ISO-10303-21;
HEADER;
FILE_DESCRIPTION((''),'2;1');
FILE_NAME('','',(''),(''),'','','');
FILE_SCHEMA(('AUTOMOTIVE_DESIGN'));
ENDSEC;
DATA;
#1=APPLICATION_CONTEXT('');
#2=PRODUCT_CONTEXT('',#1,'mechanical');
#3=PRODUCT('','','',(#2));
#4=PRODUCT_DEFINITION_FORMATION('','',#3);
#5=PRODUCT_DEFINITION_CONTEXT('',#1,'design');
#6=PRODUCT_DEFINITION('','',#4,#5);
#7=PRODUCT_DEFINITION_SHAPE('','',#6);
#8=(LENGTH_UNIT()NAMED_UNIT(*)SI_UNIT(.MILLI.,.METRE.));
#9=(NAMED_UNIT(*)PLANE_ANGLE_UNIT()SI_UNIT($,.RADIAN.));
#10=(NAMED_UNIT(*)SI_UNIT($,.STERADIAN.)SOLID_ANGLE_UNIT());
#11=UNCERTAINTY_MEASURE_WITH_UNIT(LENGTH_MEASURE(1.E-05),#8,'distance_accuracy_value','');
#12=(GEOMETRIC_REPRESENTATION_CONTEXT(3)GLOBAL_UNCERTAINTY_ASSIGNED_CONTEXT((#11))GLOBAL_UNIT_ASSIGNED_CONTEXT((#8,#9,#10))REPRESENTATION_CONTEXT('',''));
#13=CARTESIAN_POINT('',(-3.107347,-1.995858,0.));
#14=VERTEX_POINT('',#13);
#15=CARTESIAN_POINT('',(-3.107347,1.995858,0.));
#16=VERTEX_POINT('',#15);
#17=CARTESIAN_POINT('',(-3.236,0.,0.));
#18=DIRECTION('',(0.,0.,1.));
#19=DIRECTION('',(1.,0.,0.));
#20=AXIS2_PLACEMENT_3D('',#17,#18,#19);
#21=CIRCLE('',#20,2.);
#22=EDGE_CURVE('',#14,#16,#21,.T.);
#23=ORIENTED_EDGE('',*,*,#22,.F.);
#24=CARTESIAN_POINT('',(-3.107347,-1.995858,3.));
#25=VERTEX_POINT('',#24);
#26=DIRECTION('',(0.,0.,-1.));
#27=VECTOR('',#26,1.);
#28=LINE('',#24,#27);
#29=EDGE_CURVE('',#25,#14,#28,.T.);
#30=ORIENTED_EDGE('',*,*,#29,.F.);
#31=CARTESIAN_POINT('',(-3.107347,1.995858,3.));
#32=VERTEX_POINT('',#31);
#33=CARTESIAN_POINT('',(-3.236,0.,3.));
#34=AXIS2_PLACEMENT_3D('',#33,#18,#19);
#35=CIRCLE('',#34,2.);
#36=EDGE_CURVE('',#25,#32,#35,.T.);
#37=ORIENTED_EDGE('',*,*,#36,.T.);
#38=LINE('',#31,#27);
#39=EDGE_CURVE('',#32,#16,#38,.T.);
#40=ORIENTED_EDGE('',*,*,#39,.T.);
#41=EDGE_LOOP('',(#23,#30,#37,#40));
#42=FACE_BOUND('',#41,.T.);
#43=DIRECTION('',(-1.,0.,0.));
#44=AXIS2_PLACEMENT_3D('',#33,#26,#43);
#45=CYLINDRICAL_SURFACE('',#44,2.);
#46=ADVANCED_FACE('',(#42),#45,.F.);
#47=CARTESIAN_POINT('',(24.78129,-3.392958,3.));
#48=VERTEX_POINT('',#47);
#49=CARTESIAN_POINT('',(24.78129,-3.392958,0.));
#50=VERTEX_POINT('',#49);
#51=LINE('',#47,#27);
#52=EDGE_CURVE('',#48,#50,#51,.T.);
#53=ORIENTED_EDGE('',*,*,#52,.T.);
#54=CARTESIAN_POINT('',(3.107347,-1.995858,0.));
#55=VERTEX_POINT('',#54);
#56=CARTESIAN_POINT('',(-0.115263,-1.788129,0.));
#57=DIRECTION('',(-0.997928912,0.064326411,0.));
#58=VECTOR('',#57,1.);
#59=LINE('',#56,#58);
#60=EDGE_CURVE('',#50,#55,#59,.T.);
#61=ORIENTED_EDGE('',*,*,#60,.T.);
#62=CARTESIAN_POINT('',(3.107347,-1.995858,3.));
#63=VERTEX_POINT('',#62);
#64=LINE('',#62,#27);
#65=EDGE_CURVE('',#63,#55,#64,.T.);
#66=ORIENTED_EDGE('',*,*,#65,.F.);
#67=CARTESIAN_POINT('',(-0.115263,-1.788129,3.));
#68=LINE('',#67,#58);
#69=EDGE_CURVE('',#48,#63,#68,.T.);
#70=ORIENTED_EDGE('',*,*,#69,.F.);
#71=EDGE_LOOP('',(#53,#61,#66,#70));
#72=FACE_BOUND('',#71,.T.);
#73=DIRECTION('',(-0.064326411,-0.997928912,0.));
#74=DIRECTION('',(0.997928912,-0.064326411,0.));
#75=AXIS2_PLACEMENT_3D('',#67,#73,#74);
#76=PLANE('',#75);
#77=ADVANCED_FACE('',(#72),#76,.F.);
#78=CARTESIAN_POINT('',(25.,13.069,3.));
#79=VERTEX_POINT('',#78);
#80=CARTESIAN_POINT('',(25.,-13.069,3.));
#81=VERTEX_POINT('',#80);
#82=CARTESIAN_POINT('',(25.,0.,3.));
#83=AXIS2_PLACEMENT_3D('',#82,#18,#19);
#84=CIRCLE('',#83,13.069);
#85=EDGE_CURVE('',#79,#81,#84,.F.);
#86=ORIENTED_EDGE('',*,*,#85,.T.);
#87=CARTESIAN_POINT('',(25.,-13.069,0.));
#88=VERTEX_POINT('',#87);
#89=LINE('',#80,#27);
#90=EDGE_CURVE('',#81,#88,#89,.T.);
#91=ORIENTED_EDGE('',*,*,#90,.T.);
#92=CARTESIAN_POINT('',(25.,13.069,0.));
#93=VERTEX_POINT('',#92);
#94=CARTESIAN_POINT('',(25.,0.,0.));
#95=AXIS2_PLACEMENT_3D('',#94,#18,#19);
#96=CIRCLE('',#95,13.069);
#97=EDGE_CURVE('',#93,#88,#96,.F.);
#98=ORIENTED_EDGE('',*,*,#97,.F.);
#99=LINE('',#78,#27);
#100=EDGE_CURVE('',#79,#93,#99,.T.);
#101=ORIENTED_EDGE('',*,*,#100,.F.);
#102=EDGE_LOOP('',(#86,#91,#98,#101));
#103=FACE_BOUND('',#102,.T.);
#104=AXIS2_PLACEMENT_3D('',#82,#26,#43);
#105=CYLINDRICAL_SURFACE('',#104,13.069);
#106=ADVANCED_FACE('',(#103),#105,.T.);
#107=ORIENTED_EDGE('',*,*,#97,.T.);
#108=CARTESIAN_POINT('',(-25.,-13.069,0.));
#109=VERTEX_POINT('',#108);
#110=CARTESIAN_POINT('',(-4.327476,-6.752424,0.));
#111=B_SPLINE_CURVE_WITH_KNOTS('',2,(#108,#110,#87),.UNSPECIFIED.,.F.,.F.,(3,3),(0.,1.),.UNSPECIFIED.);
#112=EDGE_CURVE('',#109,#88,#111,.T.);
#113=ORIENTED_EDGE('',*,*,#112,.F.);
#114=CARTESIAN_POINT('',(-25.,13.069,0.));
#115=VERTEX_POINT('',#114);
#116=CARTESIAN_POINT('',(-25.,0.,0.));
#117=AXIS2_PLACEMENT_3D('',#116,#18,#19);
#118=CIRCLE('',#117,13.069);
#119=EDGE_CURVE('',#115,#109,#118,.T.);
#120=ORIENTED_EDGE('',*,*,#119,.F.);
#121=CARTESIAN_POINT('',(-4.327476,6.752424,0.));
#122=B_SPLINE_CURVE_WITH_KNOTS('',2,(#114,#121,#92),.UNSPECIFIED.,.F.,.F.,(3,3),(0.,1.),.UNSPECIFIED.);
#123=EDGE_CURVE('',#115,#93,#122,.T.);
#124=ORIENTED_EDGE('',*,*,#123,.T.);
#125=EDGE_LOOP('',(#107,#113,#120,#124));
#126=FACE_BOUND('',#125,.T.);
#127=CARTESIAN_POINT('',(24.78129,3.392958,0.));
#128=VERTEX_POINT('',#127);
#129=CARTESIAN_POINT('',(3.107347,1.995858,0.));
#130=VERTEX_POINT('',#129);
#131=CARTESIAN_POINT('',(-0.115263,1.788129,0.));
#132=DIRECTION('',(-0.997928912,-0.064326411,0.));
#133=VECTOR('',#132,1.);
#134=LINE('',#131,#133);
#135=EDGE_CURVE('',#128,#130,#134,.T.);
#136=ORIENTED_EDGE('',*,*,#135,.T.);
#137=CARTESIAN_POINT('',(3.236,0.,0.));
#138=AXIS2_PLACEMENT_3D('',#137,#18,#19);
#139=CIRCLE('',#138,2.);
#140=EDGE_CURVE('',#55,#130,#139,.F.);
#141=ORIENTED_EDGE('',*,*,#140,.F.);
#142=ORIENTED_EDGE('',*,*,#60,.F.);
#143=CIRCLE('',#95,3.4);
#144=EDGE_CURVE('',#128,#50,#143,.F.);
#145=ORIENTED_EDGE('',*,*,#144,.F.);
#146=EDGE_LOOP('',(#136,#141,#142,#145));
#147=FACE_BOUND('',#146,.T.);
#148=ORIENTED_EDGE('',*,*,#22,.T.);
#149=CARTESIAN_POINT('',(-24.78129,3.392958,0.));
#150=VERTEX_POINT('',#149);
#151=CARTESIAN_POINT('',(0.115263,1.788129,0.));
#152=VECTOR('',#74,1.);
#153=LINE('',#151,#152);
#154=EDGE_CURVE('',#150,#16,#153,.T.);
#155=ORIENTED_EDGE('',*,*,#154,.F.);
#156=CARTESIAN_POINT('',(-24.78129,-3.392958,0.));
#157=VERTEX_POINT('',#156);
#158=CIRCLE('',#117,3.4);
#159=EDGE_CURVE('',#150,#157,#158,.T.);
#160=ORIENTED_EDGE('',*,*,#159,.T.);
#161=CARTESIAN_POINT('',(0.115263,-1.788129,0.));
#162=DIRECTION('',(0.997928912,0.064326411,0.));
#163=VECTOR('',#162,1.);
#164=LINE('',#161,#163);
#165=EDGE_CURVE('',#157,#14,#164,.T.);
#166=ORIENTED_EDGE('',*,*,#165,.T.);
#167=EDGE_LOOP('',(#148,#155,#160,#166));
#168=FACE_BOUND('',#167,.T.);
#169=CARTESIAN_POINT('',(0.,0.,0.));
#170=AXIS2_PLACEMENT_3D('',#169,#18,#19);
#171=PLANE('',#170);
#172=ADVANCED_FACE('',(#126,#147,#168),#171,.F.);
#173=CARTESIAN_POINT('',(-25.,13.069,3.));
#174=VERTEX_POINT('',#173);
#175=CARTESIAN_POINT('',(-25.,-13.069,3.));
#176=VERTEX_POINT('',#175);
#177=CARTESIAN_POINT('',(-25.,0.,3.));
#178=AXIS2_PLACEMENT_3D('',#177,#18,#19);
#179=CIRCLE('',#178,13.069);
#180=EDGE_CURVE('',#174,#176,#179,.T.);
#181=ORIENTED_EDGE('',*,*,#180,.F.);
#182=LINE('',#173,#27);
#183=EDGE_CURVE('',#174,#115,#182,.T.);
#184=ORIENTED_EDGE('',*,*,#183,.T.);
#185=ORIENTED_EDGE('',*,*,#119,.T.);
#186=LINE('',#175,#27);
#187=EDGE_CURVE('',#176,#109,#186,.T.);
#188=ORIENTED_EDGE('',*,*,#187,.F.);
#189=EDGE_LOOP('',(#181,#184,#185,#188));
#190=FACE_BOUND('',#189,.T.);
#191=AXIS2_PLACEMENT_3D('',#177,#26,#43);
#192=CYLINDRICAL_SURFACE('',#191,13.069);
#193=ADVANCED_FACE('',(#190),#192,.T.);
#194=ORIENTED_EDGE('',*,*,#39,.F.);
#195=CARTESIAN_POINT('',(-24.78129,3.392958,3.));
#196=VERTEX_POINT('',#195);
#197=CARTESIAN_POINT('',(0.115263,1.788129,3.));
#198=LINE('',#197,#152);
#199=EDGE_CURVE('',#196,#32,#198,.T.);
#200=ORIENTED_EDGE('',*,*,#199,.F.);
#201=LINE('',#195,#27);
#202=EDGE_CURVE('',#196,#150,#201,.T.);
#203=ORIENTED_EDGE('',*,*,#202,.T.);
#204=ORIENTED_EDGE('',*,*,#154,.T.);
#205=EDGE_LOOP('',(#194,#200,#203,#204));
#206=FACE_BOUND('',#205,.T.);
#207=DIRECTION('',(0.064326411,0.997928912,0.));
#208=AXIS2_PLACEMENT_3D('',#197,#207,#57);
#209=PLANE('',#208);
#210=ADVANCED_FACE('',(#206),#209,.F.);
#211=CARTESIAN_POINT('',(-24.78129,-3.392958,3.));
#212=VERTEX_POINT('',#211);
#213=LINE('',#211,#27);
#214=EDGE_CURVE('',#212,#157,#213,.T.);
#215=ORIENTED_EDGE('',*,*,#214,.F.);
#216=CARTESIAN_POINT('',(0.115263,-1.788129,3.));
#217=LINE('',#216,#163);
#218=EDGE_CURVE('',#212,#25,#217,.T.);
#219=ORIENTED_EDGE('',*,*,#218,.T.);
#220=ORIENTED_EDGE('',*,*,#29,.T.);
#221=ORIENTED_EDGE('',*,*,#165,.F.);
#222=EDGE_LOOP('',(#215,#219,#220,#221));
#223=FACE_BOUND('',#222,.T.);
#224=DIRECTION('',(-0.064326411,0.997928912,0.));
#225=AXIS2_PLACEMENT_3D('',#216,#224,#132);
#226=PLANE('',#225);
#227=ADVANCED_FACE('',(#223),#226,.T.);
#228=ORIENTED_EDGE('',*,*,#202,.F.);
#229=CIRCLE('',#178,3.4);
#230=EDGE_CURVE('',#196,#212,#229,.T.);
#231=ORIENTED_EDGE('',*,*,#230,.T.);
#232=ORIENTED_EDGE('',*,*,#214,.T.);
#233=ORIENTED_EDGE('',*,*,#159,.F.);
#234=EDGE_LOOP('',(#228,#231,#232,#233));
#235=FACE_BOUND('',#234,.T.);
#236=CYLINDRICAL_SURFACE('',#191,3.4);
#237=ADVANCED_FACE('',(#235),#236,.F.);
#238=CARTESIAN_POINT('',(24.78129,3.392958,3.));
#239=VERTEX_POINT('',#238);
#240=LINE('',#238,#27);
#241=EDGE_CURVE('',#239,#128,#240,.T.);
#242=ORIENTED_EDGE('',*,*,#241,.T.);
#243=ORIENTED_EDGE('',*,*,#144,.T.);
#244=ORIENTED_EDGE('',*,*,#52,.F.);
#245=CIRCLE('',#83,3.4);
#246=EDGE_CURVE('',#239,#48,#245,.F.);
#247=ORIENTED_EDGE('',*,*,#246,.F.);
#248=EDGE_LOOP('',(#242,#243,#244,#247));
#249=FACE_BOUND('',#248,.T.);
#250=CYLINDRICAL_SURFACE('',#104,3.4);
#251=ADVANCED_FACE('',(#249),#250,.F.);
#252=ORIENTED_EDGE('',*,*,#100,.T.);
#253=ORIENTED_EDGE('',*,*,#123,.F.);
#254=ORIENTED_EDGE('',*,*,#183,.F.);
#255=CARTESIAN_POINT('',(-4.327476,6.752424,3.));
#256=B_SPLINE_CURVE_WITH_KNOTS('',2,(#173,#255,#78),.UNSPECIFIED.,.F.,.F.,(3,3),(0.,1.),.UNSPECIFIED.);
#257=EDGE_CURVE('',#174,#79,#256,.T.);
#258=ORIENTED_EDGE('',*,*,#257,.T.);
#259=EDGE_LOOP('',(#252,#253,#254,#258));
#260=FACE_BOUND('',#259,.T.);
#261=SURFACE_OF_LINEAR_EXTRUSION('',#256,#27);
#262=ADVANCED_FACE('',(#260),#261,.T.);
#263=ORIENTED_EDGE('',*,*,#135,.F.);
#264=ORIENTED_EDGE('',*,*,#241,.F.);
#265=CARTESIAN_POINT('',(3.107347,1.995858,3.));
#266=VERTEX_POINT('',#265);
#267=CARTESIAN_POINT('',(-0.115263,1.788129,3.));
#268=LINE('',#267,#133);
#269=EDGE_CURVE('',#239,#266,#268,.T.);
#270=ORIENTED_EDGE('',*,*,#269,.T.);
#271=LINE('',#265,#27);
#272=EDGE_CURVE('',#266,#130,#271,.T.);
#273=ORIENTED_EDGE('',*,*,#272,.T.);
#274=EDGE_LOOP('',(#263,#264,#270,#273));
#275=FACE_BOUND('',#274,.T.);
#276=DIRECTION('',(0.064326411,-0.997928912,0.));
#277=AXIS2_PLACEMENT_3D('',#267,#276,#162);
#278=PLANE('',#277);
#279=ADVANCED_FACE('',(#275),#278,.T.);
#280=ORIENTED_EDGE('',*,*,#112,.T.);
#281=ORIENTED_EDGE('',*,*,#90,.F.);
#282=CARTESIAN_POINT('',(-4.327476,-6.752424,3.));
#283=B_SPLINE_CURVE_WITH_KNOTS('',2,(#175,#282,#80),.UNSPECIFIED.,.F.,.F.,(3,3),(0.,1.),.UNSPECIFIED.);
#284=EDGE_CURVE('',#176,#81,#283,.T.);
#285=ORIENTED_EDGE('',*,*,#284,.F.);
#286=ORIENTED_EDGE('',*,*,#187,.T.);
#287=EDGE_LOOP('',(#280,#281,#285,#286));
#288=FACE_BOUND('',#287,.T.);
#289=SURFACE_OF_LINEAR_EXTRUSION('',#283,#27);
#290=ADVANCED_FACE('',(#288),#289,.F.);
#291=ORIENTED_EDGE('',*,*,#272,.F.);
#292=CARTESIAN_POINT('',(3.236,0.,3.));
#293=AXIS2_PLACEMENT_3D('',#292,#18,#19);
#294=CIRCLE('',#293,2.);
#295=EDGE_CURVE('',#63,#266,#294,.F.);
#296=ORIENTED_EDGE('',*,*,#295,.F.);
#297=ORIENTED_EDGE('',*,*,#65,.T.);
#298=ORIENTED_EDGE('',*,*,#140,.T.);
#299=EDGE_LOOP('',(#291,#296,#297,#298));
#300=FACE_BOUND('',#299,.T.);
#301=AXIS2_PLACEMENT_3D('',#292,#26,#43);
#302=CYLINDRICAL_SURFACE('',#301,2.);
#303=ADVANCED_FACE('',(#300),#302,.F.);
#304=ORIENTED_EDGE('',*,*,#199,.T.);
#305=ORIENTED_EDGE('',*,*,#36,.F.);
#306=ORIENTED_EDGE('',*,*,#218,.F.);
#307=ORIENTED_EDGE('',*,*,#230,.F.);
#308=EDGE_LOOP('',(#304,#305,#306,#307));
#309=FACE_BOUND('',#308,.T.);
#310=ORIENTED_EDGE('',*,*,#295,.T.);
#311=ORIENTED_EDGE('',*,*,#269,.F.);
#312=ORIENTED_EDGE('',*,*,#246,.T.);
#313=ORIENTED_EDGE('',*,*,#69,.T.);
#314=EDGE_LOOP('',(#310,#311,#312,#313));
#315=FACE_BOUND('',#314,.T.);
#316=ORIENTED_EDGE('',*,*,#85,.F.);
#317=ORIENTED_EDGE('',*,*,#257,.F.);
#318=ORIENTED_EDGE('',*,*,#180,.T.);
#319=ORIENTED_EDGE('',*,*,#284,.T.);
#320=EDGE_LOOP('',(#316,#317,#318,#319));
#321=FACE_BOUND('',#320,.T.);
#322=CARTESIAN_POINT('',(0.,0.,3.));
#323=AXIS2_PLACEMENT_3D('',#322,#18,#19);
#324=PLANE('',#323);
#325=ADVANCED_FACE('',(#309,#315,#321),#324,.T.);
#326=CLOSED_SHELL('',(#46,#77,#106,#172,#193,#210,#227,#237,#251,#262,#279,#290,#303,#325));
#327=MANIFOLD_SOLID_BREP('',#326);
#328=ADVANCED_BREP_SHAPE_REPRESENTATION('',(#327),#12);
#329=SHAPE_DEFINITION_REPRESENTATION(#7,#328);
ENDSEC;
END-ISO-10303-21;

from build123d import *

# Parameters (mm, degrees)
BOSS_EXTRUDE2_DEPTH = 3


with BuildPart() as part:
    # Sketch1 → Boss-Extrude2 (new body)
    with BuildSketch(Plane.XY):
        with BuildLine():
            ThreePointArc((-24.781290204, -3.3929583), (-28.4, 0), (-24.781290204, 3.3929583))
            Line((-24.781290204, 3.3929583), (-12.188441083, 2.581224344))
            ThreePointArc((-12.188441083, 2.581224344), (-14.492522891, 7.771208774), (-18.780288742, 11.494083385))
            add(Edge.make_bspline(
                [(-25, 13.069), (-21.982355601, 12.146946089), (-18.780288742, 11.494083385)],
                knots=[0, 0, 0, 0.145973682, 0.145973682, 0.145973682], degree=2))
            ThreePointArc((-25, 13.069), (-38.069, 0), (-25, -13.069))
            add(Edge.make_bspline(
                [(-25, -13.069), (-21.982355601, -12.146946089), (-18.780288742, -11.494083385)],
                knots=[0, 0, 0, 0.145973682, 0.145973682, 0.145973682], degree=2))
            ThreePointArc((-18.780288742, -11.494083385), (-14.492522891, -7.771208774), (-12.188441083, -2.581224344))
            Line((-12.188441083, -2.581224344), (-24.781290204, -3.3929583))
        make_face()
        with BuildLine():
            ThreePointArc((-18.780288742, 11.494083385), (-14.492522891, 7.771208774), (-12.188441083, 2.581224344))
            Line((-12.188441083, 2.581224344), (-3.107347179, 1.995857823))
            ThreePointArc((-3.107347179, 1.995857823), (-1.236, 0), (-3.107347179, -1.995857823))
            Line((-3.107347179, -1.995857823), (-12.188441083, -2.581224344))
            ThreePointArc((-12.188441083, -2.581224344), (-14.492522891, -7.771208774), (-18.780288742, -11.494083385))
            add(Edge.make_bspline(
                [(-18.780288742, -11.494083385), (-1.944343038, -8.061437688), (19.989933944, -12.070542619)],
                knots=[0.145973682, 0.145973682, 0.145973682, 0.91347951, 0.91347951, 0.91347951], degree=2))
            ThreePointArc((19.989933944, -12.070542619), (14.904735293, -8.299662132), (12.188441083, -2.581224344))
            Line((12.188441083, -2.581224344), (3.107347179, -1.995857823))
            ThreePointArc((3.107347179, -1.995857823), (1.236, 0), (3.107347179, 1.995857823))
            Line((3.107347179, 1.995857823), (12.188441083, 2.581224344))
            ThreePointArc((12.188441083, 2.581224344), (14.904735293, 8.299662132), (19.989933944, 12.070542619))
            add(Edge.make_bspline(
                [(-18.780288742, 11.494083385), (-1.944343038, 8.061437688), (19.989933944, 12.070542619)],
                knots=[0.145973682, 0.145973682, 0.145973682, 0.91347951, 0.91347951, 0.91347951], degree=2))
        make_face()
        with BuildLine():
            add(Edge.make_bspline(
                [(19.989933944, 12.070542619), (22.462572371, 12.522486712), (25, 13.069)],
                knots=[0.91347951, 0.91347951, 0.91347951, 1, 1, 1], degree=2))
            ThreePointArc((19.989933944, 12.070542619), (14.904735293, 8.299662132), (12.188441083, 2.581224344))
            Line((12.188441083, 2.581224344), (24.781290204, 3.3929583))
            ThreePointArc((24.781290204, 3.3929583), (28.4, 0), (24.781290204, -3.3929583))
            Line((24.781290204, -3.3929583), (12.188441083, -2.581224344))
            ThreePointArc((12.188441083, -2.581224344), (14.904735293, -8.299662132), (19.989933944, -12.070542619))
            add(Edge.make_bspline(
                [(19.989933944, -12.070542619), (22.462572371, -12.522486712), (25, -13.069)],
                knots=[0.91347951, 0.91347951, 0.91347951, 1, 1, 1], degree=2))
            ThreePointArc((25, -13.069), (34.241178523, -9.241178523), (38.069, 0))
            ThreePointArc((38.069, 0), (34.241178523, 9.241178523), (25, 13.069))
        make_face()
    extrude(amount=BOSS_EXTRUDE2_DEPTH)


solid = part.part
